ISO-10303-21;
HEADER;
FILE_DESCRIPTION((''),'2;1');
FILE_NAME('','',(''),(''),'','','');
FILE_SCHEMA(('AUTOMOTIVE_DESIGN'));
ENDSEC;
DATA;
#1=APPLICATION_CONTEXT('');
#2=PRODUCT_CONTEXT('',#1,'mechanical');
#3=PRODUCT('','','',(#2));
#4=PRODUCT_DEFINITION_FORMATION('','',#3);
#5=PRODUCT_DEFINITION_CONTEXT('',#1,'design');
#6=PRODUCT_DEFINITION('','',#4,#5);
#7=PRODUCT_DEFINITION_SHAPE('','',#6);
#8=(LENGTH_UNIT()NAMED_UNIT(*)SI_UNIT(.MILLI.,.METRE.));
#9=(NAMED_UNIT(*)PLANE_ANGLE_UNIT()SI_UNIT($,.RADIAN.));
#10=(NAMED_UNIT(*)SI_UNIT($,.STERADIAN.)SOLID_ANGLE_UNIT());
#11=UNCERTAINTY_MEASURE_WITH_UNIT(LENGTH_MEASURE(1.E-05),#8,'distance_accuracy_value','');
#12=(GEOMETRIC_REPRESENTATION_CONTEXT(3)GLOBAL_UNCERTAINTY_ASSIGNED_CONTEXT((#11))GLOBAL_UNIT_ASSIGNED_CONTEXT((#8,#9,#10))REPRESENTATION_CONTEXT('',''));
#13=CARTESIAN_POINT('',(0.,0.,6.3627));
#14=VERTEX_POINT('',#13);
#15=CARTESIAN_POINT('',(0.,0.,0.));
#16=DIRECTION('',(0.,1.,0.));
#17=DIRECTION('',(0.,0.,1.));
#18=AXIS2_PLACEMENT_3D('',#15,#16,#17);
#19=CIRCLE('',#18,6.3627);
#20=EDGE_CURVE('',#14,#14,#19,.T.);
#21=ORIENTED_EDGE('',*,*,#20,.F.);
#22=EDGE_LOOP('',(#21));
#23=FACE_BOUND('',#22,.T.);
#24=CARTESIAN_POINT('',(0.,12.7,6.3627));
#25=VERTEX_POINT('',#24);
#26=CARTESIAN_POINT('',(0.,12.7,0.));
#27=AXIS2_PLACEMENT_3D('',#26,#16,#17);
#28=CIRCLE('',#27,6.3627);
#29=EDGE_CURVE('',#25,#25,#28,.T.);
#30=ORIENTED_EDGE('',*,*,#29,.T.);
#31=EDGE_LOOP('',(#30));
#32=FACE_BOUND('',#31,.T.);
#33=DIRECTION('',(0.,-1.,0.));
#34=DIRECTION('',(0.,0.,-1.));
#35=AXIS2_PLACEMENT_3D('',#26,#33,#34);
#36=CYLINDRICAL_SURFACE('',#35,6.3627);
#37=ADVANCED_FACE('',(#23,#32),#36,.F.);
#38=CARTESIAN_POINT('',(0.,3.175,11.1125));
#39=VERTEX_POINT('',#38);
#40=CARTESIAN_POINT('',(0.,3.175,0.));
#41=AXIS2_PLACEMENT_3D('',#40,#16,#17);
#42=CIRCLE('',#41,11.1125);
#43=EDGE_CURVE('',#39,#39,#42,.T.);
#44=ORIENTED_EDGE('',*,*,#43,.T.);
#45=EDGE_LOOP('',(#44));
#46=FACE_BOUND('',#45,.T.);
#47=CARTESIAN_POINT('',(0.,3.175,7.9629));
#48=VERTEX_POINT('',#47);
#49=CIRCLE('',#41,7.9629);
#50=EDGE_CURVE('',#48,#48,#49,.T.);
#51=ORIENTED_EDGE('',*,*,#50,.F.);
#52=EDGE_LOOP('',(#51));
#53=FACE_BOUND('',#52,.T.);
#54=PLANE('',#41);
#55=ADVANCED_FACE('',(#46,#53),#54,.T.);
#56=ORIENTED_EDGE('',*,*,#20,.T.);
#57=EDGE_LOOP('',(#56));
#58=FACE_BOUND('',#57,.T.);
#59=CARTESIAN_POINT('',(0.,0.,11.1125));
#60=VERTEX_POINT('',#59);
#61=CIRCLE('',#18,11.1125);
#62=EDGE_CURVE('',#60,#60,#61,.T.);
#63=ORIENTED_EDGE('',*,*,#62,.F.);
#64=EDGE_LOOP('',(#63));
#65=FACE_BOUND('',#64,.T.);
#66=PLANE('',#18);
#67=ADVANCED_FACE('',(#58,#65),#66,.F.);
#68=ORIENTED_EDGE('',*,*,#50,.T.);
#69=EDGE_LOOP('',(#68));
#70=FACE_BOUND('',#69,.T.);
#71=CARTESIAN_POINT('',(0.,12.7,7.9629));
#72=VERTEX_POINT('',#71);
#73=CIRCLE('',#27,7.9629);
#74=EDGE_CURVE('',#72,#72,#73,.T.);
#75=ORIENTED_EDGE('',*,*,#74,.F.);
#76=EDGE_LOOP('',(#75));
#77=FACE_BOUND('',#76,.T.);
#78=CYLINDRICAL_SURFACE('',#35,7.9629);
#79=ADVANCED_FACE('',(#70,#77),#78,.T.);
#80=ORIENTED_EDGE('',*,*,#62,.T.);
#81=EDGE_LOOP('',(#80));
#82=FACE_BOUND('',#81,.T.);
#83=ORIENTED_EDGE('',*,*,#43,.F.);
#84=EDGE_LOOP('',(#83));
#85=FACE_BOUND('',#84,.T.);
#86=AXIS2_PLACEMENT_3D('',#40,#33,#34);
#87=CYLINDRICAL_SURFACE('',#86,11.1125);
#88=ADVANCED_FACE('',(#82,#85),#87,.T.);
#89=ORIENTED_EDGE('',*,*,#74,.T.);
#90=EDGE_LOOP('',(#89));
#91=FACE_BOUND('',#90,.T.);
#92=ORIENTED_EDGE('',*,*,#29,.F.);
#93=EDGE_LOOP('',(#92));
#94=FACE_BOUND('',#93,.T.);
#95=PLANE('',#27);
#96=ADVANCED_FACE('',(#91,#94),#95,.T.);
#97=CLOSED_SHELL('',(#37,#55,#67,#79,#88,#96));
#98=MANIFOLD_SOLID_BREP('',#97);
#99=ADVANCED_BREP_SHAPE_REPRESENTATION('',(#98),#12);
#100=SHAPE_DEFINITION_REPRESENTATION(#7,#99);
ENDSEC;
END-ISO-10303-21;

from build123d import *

# Parameters (mm, degrees)
SKETCH2_R           = 7.9629
SKETCH2_R_2         = 6.3627
BOSS_EXTRUDE1_DEPTH = 12.7
SKETCH3_R           = 11.1125
SKETCH3_R_2         = 7.9629
BOSS_EXTRUDE2_DEPTH = 3.175


with BuildPart() as part:
    # Sketch2 → Boss-Extrude1 (new body)
    with BuildSketch(Plane(origin=(0, 0, 0), x_dir=(1, 0, 0), z_dir=(0, 1, 0))):
        Circle(SKETCH2_R)
        Circle(SKETCH2_R_2, mode=Mode.SUBTRACT)
    extrude(amount=BOSS_EXTRUDE1_DEPTH)

    # Sketch3 → Boss-Extrude2 (add)
    with BuildSketch(Plane(origin=(0, 0, 0), x_dir=(1, 0, 0), z_dir=(0, 1, 0))):
        Circle(SKETCH3_R)
        Circle(SKETCH3_R_2, mode=Mode.SUBTRACT)
    extrude(amount=BOSS_EXTRUDE2_DEPTH)


solid = part.part
